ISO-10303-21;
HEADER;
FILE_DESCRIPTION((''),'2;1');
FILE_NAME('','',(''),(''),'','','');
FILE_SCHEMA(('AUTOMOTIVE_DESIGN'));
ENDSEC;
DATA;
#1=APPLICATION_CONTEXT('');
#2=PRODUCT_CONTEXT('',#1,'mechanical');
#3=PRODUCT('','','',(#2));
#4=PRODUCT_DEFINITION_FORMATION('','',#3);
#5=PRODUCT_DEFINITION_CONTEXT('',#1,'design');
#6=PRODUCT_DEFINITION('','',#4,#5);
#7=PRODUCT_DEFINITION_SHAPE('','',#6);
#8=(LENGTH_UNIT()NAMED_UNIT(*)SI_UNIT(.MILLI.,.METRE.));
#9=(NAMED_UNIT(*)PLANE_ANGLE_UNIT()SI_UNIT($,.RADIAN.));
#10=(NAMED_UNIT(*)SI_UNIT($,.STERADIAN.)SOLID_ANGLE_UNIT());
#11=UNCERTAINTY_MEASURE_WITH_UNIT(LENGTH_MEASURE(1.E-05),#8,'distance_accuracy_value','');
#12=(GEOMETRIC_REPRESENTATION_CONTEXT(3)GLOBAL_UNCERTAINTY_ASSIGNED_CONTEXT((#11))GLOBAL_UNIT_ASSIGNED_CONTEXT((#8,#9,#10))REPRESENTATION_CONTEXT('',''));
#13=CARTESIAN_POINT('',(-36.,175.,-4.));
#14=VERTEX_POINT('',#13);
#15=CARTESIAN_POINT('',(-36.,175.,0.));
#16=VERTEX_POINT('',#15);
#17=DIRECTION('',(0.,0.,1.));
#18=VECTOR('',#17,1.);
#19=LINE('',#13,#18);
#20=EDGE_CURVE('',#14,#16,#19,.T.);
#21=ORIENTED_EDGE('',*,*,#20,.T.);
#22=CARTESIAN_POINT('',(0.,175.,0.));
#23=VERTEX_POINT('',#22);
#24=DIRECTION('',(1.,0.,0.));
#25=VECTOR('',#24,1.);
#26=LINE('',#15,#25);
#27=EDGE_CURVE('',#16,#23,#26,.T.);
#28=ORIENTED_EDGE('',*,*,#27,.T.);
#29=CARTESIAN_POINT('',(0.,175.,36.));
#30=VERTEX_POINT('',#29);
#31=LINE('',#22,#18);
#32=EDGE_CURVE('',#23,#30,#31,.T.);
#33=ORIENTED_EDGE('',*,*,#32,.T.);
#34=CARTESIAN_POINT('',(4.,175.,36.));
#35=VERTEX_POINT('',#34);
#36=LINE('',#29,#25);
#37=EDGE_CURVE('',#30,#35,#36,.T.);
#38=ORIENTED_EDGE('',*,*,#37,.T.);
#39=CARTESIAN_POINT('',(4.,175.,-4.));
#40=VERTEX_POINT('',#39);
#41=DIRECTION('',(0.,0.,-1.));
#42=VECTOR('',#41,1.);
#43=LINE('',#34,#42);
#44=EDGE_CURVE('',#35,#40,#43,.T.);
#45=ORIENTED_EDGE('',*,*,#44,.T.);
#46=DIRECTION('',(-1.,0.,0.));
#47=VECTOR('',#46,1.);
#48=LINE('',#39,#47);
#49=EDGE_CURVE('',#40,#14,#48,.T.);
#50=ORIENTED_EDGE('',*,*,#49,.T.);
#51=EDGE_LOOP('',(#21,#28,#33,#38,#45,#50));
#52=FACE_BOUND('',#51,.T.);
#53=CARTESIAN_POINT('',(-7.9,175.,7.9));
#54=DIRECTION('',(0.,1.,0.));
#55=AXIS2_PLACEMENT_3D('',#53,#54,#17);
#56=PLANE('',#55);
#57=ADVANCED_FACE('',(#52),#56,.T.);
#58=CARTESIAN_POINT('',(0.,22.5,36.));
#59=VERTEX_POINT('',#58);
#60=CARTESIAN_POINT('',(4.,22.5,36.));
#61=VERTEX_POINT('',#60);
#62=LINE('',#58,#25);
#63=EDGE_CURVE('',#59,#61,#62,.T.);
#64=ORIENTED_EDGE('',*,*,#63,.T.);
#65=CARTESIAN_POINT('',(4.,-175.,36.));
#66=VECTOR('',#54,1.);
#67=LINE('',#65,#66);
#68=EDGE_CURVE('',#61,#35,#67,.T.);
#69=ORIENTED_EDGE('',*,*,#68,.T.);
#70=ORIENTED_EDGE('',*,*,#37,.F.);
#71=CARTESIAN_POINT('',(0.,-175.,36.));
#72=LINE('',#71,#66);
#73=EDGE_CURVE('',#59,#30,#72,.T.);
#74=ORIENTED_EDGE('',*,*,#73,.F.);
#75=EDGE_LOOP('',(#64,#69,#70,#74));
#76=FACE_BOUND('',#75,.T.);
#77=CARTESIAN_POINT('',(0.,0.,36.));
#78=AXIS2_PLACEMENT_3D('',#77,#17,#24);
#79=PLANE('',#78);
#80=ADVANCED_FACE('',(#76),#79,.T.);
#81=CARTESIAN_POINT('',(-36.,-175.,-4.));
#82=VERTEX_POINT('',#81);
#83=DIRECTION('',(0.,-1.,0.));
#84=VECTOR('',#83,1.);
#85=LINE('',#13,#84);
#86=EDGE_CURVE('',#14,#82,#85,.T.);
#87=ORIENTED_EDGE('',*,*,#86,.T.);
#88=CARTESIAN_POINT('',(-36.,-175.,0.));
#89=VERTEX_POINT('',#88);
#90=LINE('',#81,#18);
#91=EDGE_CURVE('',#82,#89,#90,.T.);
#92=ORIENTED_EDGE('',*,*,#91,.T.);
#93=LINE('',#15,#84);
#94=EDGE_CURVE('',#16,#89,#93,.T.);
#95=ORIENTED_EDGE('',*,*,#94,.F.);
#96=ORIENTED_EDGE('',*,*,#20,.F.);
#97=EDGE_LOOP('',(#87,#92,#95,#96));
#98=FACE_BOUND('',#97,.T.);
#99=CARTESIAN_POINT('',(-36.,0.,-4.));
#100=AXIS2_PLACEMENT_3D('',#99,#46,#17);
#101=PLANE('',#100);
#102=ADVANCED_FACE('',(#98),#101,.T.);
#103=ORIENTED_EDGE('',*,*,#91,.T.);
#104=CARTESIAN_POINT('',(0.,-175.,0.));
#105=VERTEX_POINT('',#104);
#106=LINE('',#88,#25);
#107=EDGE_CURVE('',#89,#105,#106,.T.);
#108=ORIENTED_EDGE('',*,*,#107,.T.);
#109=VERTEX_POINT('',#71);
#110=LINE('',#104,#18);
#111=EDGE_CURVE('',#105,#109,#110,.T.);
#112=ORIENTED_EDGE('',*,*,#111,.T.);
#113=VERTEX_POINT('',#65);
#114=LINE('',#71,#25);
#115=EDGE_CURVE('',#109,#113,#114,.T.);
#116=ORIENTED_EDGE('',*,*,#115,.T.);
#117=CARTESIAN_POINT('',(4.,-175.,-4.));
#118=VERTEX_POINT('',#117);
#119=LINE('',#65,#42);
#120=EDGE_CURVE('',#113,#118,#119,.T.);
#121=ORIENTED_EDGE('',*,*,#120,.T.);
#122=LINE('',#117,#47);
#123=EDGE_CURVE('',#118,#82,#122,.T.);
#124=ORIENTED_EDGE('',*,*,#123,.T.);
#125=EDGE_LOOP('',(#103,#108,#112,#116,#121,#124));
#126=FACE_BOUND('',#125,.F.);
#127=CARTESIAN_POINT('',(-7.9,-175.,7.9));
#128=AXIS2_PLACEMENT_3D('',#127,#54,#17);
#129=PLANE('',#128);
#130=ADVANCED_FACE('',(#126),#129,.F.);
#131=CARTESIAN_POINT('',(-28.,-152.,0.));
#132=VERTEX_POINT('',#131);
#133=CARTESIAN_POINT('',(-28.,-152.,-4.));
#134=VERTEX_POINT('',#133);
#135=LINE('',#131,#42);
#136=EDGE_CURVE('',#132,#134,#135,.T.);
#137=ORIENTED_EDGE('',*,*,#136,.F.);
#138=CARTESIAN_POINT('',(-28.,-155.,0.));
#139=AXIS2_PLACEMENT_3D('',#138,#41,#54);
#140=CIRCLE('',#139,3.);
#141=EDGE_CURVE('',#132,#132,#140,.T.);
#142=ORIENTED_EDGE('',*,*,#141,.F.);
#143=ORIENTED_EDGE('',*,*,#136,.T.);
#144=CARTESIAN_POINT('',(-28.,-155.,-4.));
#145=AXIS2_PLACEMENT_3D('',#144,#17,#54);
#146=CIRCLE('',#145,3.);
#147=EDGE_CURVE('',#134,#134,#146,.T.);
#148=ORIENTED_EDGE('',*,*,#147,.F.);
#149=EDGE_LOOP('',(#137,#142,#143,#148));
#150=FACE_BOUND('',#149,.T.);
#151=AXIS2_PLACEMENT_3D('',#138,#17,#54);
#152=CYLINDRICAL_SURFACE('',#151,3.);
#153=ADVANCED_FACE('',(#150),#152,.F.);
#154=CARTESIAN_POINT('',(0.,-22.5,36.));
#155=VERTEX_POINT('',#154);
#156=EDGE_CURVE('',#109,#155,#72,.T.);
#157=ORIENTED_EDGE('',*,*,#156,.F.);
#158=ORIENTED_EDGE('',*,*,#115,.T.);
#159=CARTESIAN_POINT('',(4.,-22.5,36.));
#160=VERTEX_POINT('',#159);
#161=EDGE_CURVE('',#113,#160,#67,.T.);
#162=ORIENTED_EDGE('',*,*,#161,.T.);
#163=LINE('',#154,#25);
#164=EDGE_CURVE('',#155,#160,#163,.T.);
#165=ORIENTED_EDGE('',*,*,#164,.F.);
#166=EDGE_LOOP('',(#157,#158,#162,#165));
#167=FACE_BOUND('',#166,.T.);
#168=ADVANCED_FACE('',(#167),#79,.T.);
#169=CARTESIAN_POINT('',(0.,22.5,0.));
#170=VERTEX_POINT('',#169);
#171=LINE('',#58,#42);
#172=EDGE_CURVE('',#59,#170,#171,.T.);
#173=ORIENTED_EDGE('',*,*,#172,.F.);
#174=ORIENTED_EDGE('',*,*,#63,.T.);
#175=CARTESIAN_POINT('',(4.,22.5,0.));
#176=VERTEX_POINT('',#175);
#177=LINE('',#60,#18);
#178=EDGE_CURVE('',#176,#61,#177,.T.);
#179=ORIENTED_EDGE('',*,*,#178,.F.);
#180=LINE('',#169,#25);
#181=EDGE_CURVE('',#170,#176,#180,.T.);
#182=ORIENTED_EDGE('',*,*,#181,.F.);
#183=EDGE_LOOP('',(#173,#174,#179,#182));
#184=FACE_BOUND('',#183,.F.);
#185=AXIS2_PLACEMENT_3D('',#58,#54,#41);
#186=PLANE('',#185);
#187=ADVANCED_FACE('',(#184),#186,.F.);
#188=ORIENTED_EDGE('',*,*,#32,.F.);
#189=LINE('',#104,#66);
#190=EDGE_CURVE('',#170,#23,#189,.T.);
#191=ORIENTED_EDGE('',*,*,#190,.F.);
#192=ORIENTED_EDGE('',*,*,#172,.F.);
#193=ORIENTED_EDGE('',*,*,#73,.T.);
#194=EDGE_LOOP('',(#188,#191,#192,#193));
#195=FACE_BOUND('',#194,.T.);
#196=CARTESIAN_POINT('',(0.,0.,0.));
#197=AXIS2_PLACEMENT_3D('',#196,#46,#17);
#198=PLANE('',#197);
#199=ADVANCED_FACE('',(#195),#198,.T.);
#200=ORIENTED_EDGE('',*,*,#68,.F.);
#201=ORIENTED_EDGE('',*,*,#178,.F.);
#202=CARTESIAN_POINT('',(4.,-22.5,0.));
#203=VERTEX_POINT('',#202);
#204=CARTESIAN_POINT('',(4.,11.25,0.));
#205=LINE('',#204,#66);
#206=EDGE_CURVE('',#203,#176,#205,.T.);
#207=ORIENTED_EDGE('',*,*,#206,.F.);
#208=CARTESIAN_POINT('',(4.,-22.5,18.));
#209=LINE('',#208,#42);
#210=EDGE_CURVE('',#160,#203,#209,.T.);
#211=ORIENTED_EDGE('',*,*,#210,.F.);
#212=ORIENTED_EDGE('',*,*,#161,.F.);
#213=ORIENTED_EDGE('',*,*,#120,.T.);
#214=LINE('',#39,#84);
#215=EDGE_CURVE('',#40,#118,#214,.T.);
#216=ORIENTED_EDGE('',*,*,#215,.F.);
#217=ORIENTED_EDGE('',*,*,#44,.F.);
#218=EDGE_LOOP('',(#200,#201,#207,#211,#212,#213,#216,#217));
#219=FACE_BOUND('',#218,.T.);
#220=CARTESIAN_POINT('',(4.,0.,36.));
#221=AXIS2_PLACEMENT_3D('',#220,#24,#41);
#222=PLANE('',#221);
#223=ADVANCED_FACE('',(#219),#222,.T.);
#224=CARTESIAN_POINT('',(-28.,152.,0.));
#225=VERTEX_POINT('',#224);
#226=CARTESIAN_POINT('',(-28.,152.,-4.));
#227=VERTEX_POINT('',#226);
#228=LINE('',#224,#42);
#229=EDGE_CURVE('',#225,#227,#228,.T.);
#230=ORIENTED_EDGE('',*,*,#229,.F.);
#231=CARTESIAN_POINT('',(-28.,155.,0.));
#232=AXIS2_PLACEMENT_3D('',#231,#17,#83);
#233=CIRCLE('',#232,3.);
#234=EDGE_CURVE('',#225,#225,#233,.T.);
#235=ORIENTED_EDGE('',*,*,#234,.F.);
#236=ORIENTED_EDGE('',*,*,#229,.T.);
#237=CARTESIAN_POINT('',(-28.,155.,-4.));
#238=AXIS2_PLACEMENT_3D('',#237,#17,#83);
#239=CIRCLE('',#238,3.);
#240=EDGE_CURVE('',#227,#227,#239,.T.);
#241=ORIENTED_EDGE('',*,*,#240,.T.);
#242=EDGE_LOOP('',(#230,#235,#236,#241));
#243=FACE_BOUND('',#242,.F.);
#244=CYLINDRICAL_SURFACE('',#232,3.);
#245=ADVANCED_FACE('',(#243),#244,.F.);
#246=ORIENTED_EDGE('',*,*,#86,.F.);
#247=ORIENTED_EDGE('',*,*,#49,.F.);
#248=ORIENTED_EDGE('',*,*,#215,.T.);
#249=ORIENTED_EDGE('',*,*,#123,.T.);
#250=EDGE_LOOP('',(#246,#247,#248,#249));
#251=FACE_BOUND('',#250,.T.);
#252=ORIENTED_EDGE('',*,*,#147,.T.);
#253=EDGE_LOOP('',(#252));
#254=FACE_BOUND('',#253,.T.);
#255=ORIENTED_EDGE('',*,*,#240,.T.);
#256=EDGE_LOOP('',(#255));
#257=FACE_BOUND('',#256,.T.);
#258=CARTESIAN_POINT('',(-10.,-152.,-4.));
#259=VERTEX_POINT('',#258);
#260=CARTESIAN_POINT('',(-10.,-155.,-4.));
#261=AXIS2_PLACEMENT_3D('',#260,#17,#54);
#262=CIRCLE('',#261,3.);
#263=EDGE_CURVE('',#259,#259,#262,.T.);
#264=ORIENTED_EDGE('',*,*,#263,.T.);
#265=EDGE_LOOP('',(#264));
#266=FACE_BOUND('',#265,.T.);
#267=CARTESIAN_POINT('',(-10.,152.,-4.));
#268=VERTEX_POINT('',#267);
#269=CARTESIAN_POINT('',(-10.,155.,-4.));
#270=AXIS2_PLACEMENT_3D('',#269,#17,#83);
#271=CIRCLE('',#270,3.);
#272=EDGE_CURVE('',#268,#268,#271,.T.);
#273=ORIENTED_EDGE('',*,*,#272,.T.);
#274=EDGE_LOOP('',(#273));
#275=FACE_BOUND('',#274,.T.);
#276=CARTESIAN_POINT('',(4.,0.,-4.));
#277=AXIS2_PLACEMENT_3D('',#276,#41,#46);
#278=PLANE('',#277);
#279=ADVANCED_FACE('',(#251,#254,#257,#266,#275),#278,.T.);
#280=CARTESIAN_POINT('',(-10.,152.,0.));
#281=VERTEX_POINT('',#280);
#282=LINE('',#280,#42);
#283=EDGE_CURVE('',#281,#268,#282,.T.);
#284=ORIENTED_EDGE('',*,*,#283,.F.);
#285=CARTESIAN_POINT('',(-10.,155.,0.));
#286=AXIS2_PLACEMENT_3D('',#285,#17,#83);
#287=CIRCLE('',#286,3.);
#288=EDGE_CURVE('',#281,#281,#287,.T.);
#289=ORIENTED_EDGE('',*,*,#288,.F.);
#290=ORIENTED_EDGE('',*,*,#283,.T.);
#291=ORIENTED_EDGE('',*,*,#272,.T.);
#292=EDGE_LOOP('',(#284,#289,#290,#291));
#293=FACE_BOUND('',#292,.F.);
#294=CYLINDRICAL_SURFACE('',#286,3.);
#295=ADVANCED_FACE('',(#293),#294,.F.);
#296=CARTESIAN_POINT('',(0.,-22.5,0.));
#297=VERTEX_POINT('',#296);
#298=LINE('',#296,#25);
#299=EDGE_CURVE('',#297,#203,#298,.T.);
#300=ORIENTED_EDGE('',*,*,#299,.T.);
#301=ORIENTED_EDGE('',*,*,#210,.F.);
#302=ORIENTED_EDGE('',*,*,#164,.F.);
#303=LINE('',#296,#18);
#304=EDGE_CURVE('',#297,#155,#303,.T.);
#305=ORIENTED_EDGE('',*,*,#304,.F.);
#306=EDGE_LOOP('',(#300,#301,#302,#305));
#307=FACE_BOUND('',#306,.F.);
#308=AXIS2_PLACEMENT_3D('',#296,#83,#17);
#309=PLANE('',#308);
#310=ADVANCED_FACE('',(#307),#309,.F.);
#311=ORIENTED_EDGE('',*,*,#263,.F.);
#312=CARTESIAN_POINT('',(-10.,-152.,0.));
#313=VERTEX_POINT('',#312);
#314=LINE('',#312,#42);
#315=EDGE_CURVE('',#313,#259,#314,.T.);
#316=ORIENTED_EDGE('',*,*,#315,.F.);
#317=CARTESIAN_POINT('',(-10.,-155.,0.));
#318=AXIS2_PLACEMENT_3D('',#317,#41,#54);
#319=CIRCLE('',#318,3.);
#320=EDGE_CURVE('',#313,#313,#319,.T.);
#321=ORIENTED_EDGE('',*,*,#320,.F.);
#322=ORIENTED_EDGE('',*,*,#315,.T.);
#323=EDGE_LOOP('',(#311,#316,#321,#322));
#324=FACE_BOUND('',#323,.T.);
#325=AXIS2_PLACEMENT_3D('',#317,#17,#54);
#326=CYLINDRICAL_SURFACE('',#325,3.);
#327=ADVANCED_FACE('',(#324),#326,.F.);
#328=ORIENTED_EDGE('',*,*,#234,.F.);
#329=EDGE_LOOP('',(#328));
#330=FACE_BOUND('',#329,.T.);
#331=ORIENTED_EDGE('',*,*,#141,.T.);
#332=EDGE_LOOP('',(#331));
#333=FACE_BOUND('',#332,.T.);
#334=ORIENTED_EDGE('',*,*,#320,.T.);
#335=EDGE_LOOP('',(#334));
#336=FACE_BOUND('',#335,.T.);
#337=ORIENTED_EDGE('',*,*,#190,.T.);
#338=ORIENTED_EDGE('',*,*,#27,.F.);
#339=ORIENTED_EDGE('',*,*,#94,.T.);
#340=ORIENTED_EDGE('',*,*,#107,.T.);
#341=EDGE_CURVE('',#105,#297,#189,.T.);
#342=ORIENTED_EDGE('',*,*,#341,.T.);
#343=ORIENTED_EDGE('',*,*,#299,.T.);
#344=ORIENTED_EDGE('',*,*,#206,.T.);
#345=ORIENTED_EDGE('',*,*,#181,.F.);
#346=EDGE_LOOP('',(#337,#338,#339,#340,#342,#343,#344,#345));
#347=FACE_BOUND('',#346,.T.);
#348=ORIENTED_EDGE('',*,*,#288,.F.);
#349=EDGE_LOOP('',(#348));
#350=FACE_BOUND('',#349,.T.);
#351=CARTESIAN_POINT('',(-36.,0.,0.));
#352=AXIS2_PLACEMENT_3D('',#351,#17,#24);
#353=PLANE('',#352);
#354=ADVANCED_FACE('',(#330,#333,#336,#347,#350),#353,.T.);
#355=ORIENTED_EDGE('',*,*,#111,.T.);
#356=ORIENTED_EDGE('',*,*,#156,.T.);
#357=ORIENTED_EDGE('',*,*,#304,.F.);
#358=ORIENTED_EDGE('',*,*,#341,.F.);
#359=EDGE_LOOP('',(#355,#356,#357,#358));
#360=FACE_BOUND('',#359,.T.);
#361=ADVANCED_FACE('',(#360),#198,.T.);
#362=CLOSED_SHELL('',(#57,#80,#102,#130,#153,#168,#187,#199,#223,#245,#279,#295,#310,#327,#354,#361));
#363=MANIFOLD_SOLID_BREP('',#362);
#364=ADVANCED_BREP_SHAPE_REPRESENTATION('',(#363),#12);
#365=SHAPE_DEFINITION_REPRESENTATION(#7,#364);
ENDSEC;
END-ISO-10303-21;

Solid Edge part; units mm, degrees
sketch "Sketch1" plane through (0, 0, 0) normal (0, -1, 0) x (1, 0, 0)
  line L0 (-36, 0) -> (0, 0)
  line L1 (0, 0) -> (0, 36)
  line L2 (0, 36) -> (4, 36)
  line L3 (4, 36) -> (4, -4)
  line L4 (4, -4) -> (-36, -4)
  line L5 (-36, -4) -> (-36, 0)
  dimension "D1" = 36
  dimension "D2" = 4
extrude "Protrusion1" add sketch "Sketch1" along normal mid plane 350
sketch "Sketch2" plane through (-18, 0, 0) normal (0, 0, 1) x (0, -1, 0)
  circle A0 centre (-155, 8) radius 3
  circle A1 centre (-155, -10) radius 3
  dimension "D1" = 20
  dimension "D2" = 6
  dimension "D3" = 18
  dimension "D4" = 10
extrude "Cutout1" cut sketch "Sketch2" against normal through all
mirror "Mirror1" about plane through (0, 0, 0) normal (0, -1, 0) of "Cutout1"
sketch "Sketch3" plane through (0, 0, 18) normal (-1, 0, 0) x (0, -1, 0)
  line L0 (-22.5, -18) -> (22.5, -18)
  line L1 (22.5, -18) -> (22.5, 18)
  line L2 (22.5, 18) -> (-22.5, 18)
  line L3 (-22.5, 18) -> (-22.5, -18)
  dimension "D1" = 45
extrude "Cutout2" cut sketch "Sketch3" against normal through all
properties material "AlSi7Mg"
